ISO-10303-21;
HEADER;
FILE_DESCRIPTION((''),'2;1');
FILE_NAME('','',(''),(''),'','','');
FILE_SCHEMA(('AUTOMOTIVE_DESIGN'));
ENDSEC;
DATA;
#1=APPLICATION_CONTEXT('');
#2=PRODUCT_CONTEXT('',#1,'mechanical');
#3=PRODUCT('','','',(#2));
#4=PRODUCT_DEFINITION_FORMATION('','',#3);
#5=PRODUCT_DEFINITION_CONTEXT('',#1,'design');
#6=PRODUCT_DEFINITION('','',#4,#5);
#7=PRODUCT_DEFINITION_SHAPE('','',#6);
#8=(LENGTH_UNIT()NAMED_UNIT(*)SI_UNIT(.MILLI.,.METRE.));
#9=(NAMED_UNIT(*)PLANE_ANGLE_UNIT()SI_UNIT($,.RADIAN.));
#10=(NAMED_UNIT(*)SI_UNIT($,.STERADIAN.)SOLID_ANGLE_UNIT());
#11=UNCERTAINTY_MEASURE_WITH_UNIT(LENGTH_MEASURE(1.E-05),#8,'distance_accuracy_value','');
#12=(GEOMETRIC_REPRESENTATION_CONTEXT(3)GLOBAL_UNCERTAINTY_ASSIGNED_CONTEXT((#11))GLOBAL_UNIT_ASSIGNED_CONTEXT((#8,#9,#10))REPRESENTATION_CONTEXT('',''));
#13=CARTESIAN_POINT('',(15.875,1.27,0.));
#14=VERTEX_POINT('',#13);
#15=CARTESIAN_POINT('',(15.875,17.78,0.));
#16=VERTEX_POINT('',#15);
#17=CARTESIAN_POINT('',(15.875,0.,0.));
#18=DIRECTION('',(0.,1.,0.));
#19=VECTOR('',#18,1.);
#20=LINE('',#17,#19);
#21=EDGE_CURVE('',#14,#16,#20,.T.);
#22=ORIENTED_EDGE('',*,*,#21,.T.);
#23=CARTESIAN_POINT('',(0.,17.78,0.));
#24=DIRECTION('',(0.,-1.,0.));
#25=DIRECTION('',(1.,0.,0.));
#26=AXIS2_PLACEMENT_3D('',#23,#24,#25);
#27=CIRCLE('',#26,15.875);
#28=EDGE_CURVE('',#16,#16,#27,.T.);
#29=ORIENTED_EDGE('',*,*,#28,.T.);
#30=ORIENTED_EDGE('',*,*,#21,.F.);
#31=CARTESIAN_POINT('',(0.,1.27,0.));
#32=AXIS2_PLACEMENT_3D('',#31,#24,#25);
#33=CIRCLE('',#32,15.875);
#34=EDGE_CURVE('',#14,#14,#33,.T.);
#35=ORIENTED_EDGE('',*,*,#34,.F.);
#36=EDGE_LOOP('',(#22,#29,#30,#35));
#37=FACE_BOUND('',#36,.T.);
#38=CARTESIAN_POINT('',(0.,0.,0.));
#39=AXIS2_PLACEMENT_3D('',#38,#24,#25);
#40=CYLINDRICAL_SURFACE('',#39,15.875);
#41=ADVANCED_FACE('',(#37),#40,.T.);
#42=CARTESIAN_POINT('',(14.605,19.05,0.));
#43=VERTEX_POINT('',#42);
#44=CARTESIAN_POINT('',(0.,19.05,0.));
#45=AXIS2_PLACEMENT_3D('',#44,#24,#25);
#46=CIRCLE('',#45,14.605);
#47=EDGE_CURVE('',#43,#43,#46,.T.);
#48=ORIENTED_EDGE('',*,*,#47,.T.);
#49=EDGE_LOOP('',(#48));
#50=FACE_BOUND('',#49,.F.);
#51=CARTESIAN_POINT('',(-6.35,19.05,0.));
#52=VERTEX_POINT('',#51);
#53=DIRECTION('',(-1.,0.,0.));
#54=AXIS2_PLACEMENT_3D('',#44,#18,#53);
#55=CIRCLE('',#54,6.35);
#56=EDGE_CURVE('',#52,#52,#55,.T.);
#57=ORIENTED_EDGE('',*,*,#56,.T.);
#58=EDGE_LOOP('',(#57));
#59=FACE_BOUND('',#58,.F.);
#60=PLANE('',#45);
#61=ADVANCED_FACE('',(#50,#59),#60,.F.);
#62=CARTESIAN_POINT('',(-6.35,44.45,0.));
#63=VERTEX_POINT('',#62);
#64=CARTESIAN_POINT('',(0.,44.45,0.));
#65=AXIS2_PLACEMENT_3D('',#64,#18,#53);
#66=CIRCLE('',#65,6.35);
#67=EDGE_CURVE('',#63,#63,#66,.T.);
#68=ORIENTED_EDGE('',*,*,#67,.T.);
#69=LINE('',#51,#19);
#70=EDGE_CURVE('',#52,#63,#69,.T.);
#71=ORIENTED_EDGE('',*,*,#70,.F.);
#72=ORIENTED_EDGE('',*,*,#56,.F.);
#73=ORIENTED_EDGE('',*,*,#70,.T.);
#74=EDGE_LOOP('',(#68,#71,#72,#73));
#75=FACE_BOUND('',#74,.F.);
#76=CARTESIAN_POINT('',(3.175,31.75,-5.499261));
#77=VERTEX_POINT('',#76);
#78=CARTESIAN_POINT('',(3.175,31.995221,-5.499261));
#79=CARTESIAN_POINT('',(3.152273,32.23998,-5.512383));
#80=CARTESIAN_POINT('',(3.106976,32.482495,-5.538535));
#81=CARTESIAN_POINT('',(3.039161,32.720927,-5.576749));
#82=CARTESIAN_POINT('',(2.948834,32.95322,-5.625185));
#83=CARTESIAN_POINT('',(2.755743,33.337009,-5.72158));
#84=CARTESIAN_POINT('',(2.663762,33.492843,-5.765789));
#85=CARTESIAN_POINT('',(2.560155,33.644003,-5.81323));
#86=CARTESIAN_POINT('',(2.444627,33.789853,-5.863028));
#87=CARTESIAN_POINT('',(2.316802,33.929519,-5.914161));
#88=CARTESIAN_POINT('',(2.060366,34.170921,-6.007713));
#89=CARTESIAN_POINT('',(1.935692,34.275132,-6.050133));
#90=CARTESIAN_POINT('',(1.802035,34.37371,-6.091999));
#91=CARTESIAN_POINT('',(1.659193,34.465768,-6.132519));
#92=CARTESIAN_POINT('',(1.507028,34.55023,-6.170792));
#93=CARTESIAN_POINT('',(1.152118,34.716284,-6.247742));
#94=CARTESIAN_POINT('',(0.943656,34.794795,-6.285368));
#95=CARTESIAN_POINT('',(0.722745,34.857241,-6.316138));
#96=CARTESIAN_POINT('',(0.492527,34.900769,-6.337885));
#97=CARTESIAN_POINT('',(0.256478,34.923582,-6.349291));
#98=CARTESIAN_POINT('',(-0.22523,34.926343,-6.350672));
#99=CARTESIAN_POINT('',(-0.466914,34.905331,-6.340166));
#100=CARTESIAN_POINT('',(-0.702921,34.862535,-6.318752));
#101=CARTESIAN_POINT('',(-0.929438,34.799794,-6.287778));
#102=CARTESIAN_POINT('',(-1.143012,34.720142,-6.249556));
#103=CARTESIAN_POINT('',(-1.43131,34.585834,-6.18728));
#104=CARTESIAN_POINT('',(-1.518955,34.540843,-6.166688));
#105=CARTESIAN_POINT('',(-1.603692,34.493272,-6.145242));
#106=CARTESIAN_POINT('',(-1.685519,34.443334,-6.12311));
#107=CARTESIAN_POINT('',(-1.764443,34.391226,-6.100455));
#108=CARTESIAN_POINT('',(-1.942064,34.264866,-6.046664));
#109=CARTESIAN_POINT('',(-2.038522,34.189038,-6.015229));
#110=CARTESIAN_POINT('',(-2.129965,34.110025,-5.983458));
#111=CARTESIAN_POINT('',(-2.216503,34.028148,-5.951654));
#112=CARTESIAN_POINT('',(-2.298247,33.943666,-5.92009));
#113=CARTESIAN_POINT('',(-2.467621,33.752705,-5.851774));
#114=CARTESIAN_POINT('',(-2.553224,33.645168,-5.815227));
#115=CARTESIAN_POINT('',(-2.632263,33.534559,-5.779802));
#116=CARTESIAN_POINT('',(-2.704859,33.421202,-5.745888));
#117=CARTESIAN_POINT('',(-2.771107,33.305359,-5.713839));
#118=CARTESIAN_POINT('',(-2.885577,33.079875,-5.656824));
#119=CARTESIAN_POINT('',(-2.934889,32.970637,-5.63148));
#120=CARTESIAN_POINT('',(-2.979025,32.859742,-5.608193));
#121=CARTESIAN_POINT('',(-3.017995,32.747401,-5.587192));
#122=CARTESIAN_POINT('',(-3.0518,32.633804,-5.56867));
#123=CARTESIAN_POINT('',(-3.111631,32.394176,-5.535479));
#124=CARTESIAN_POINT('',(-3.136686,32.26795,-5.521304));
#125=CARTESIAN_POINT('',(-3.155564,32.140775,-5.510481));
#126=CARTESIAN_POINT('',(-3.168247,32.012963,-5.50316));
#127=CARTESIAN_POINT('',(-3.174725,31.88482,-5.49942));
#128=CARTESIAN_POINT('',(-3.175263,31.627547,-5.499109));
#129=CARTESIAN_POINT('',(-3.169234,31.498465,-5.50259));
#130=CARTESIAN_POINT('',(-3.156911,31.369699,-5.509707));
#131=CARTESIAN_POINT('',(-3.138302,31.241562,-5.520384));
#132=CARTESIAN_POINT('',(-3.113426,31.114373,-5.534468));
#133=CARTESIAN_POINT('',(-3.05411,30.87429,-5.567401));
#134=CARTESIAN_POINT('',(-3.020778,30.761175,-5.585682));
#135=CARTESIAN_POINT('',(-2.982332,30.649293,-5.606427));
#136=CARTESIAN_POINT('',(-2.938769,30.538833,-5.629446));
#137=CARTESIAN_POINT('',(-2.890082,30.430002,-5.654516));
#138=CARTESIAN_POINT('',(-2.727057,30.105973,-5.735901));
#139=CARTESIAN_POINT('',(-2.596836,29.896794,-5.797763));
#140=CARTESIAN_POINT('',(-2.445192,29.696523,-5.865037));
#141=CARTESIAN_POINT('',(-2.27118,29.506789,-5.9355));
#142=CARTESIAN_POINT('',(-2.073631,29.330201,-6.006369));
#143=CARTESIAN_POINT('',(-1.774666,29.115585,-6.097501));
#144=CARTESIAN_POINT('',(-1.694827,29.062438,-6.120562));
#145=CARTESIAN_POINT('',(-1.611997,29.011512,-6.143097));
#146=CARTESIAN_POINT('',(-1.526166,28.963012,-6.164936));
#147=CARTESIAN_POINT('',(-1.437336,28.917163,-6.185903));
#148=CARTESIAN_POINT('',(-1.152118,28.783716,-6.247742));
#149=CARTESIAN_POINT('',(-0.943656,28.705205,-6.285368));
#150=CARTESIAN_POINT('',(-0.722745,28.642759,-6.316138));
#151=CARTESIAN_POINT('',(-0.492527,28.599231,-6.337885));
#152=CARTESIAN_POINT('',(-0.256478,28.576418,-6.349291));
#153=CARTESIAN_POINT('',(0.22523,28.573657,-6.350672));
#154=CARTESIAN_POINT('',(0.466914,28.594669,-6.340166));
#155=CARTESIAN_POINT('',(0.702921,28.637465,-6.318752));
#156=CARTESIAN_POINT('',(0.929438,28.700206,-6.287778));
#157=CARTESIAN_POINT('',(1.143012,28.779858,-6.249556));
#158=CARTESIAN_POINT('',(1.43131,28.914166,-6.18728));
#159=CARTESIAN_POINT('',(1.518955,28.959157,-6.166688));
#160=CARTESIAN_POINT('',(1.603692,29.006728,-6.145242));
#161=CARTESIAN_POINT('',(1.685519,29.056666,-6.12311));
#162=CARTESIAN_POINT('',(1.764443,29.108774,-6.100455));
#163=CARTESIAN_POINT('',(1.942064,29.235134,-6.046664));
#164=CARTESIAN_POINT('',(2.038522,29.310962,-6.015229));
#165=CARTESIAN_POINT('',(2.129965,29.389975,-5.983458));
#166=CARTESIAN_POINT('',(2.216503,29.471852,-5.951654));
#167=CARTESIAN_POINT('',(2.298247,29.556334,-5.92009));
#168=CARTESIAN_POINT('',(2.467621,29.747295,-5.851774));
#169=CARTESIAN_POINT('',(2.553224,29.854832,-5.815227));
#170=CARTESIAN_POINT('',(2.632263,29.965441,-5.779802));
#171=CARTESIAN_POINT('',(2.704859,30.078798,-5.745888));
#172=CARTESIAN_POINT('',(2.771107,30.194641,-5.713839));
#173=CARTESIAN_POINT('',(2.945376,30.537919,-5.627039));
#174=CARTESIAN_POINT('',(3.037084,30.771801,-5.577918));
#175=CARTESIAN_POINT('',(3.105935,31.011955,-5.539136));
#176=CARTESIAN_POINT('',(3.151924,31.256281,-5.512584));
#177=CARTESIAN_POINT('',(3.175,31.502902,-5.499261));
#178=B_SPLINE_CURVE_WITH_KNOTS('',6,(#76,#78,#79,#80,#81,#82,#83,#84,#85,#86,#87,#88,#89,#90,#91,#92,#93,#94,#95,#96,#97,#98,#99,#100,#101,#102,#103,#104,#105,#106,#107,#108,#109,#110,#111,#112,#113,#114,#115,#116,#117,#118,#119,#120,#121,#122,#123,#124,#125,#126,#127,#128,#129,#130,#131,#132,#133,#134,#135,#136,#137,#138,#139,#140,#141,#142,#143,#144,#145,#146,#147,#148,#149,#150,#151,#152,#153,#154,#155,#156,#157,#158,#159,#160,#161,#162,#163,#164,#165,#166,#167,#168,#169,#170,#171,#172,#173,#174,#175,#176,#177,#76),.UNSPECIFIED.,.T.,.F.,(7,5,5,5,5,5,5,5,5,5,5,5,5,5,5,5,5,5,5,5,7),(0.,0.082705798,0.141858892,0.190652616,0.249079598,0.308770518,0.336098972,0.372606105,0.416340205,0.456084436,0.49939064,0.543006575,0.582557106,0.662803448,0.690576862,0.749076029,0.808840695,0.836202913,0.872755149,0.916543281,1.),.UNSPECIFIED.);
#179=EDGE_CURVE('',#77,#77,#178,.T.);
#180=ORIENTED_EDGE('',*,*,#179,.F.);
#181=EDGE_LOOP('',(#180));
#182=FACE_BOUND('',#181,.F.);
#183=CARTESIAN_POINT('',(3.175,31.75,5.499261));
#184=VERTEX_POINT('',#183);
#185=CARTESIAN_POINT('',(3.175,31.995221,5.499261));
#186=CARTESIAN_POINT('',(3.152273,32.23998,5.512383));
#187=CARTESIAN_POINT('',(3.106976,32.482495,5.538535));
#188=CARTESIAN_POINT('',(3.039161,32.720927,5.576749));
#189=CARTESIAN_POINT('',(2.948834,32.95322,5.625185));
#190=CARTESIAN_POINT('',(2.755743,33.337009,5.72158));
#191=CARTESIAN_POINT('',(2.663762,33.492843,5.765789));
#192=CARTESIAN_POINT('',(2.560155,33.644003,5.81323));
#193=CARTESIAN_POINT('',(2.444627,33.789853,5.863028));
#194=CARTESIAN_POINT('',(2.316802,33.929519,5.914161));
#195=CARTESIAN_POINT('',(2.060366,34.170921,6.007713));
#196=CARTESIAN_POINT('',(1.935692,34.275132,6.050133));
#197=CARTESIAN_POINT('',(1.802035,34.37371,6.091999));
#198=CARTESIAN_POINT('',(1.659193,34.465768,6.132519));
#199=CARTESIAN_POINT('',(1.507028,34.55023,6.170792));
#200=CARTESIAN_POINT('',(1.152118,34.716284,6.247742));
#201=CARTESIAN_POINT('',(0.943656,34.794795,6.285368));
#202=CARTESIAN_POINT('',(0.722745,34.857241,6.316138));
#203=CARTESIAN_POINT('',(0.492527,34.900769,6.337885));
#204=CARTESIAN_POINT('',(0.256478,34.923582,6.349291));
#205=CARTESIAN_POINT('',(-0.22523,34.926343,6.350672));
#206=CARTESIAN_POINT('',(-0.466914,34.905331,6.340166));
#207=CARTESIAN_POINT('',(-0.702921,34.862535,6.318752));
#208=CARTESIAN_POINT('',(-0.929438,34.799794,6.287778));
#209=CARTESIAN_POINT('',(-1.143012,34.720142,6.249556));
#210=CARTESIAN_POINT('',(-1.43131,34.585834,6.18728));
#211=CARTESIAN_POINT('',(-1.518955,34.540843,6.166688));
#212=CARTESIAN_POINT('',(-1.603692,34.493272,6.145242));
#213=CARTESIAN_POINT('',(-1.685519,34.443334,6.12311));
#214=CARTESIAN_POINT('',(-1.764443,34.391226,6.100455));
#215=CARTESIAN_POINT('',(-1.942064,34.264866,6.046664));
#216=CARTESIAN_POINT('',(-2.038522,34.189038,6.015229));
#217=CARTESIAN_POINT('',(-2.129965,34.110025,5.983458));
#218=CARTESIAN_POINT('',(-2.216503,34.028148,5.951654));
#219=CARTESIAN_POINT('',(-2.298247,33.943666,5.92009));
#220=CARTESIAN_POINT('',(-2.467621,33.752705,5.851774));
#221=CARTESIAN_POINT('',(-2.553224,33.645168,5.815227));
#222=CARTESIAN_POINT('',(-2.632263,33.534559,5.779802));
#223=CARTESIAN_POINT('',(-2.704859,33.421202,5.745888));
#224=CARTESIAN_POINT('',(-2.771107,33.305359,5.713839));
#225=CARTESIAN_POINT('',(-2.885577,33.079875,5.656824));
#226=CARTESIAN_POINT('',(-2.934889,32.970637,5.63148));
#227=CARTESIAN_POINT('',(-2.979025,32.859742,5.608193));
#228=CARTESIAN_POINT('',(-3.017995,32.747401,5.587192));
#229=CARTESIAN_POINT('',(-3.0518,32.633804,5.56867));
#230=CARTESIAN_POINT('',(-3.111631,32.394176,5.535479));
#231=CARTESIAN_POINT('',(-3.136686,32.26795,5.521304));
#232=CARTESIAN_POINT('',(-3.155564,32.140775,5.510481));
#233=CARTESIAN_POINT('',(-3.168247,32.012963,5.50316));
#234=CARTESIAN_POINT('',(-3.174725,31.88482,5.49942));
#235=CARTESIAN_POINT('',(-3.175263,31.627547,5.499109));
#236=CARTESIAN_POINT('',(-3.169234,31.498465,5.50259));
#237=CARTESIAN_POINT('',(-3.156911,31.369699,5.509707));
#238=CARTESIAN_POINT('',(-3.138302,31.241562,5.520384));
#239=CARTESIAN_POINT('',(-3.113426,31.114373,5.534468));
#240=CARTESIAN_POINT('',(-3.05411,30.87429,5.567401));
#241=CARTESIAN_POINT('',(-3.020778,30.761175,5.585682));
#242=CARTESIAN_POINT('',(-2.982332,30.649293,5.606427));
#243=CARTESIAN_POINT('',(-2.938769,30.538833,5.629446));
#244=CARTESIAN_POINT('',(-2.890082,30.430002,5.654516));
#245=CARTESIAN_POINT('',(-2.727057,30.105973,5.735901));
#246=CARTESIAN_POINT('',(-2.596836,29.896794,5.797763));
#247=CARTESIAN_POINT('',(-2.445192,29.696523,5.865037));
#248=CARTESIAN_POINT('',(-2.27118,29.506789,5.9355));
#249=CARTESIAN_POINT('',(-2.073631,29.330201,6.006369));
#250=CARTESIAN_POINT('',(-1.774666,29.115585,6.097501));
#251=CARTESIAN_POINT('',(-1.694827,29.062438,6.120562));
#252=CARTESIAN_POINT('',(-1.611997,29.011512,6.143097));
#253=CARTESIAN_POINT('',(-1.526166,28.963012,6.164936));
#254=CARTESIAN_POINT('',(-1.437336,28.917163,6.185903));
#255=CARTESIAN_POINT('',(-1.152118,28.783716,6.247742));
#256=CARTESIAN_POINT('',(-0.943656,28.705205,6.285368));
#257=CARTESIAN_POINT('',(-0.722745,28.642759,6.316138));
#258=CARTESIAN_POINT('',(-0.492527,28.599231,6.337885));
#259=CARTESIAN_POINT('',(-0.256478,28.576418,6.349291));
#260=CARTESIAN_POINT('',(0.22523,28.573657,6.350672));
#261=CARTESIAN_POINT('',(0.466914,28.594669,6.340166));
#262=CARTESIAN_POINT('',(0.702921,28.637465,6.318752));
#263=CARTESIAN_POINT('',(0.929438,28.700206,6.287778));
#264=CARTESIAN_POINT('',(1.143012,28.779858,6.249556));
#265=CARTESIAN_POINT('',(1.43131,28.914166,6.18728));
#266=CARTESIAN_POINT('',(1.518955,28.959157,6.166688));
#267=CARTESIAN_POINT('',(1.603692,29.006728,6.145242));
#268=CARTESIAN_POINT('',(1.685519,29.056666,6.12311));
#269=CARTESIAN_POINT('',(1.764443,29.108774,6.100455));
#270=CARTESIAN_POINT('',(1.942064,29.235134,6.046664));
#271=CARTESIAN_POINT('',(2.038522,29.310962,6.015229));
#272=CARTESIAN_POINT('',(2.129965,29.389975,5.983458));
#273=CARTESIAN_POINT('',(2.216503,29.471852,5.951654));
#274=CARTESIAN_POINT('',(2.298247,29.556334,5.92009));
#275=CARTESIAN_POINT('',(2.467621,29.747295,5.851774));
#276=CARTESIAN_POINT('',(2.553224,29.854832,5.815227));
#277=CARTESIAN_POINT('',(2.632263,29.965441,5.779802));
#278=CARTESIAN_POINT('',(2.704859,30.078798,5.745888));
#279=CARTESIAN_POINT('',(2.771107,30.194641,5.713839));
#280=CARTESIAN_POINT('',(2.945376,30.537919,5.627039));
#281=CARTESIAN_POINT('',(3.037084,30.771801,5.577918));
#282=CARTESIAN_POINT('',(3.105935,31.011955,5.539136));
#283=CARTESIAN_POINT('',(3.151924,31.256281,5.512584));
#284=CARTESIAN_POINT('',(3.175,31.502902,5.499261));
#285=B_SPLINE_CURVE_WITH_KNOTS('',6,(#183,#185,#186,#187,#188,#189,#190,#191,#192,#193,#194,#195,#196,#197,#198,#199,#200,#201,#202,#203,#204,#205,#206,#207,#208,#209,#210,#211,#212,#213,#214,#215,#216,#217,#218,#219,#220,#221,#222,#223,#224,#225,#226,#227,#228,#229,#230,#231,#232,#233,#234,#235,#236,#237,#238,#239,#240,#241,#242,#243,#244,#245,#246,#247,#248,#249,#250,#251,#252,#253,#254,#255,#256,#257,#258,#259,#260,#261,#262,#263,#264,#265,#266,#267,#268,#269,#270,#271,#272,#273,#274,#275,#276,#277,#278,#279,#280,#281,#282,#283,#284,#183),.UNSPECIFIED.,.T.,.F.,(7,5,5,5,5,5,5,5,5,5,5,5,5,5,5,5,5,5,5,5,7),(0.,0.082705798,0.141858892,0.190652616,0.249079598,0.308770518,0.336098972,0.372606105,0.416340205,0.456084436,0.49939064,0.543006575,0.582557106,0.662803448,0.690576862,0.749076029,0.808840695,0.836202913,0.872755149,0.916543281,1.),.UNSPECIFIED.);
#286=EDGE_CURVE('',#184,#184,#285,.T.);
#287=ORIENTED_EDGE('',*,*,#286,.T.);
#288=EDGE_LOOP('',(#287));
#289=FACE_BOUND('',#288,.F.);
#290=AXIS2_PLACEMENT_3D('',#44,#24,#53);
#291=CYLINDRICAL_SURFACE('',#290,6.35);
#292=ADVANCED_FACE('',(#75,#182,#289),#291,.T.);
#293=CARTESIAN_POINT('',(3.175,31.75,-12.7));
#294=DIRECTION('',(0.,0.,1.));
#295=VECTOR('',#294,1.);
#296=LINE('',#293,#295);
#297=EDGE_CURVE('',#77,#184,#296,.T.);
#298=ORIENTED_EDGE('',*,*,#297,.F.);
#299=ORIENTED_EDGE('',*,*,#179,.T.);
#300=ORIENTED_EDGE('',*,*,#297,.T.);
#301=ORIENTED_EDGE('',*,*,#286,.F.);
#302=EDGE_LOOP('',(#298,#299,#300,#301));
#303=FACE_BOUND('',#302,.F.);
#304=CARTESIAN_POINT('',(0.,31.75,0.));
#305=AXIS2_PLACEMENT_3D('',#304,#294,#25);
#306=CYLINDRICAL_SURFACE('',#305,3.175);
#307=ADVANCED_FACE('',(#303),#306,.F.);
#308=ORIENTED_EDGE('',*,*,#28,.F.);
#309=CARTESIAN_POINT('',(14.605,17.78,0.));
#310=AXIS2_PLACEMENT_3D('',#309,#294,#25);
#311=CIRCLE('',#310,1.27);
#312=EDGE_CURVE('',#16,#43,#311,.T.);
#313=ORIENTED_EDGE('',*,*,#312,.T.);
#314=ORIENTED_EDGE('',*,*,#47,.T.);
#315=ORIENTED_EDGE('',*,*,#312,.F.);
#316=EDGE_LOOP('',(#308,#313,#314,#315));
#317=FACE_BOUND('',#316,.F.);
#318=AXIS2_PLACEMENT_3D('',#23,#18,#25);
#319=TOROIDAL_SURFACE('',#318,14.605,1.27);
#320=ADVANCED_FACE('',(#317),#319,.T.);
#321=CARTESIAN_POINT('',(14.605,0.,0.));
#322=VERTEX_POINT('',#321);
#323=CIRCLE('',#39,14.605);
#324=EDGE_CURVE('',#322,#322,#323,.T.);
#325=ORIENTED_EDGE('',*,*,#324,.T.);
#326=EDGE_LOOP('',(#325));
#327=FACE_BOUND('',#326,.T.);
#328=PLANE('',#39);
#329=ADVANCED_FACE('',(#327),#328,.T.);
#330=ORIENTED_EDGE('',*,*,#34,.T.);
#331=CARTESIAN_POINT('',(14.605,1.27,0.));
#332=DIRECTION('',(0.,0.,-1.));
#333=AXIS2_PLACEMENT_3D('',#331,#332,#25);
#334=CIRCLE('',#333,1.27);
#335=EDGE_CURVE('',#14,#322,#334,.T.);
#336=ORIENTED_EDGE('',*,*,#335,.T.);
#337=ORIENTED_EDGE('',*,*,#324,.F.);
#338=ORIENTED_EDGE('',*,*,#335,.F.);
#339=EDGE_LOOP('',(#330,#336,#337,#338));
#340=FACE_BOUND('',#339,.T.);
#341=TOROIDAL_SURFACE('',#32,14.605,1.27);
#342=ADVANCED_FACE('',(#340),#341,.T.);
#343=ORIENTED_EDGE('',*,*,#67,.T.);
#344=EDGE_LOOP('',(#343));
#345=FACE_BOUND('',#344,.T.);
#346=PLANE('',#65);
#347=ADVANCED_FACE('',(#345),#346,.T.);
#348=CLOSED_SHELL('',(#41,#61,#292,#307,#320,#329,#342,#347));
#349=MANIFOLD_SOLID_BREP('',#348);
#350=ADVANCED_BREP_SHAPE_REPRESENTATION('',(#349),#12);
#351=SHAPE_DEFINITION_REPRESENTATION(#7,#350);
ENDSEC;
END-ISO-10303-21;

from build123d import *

# Parameters (mm, degrees)
F0_R     = 15.875
F1_DEPTH = 19.05
F2_R     = 1.27
F3_R     = 6.35
F4_DEPTH = 25.4
F5_R     = 3.175
F6_DEPTH = 12.7


with BuildPart() as f1:
    # F0 (on Front) → F1 (new body)
    with BuildSketch(Plane.XZ):
        Circle(F0_R)
    extrude(amount=-F1_DEPTH)

    # F2
    f2_edges = [f1.edges().sort_by_distance(p)[0] for p in [
        (-15.875, 19.05, 0),
        (-15.875, 0, 0),
    ]]
    fillet(f2_edges, radius=F2_R)

    # F3 (on face) → F4 (join)
    with BuildSketch(Plane(origin=(0, 19.05, 0), x_dir=(-1, 0, 0), z_dir=(0, 1, 0))):
        Circle(F3_R)
    extrude(amount=F4_DEPTH)

    # F5 (on Top) → F6 (cut, symmetric)
    with BuildSketch(Plane.XY):
        with Locations((0, 31.75)):
            Circle(F5_R)
    extrude(amount=F6_DEPTH, both=True, mode=Mode.SUBTRACT)


solid = f1.part
